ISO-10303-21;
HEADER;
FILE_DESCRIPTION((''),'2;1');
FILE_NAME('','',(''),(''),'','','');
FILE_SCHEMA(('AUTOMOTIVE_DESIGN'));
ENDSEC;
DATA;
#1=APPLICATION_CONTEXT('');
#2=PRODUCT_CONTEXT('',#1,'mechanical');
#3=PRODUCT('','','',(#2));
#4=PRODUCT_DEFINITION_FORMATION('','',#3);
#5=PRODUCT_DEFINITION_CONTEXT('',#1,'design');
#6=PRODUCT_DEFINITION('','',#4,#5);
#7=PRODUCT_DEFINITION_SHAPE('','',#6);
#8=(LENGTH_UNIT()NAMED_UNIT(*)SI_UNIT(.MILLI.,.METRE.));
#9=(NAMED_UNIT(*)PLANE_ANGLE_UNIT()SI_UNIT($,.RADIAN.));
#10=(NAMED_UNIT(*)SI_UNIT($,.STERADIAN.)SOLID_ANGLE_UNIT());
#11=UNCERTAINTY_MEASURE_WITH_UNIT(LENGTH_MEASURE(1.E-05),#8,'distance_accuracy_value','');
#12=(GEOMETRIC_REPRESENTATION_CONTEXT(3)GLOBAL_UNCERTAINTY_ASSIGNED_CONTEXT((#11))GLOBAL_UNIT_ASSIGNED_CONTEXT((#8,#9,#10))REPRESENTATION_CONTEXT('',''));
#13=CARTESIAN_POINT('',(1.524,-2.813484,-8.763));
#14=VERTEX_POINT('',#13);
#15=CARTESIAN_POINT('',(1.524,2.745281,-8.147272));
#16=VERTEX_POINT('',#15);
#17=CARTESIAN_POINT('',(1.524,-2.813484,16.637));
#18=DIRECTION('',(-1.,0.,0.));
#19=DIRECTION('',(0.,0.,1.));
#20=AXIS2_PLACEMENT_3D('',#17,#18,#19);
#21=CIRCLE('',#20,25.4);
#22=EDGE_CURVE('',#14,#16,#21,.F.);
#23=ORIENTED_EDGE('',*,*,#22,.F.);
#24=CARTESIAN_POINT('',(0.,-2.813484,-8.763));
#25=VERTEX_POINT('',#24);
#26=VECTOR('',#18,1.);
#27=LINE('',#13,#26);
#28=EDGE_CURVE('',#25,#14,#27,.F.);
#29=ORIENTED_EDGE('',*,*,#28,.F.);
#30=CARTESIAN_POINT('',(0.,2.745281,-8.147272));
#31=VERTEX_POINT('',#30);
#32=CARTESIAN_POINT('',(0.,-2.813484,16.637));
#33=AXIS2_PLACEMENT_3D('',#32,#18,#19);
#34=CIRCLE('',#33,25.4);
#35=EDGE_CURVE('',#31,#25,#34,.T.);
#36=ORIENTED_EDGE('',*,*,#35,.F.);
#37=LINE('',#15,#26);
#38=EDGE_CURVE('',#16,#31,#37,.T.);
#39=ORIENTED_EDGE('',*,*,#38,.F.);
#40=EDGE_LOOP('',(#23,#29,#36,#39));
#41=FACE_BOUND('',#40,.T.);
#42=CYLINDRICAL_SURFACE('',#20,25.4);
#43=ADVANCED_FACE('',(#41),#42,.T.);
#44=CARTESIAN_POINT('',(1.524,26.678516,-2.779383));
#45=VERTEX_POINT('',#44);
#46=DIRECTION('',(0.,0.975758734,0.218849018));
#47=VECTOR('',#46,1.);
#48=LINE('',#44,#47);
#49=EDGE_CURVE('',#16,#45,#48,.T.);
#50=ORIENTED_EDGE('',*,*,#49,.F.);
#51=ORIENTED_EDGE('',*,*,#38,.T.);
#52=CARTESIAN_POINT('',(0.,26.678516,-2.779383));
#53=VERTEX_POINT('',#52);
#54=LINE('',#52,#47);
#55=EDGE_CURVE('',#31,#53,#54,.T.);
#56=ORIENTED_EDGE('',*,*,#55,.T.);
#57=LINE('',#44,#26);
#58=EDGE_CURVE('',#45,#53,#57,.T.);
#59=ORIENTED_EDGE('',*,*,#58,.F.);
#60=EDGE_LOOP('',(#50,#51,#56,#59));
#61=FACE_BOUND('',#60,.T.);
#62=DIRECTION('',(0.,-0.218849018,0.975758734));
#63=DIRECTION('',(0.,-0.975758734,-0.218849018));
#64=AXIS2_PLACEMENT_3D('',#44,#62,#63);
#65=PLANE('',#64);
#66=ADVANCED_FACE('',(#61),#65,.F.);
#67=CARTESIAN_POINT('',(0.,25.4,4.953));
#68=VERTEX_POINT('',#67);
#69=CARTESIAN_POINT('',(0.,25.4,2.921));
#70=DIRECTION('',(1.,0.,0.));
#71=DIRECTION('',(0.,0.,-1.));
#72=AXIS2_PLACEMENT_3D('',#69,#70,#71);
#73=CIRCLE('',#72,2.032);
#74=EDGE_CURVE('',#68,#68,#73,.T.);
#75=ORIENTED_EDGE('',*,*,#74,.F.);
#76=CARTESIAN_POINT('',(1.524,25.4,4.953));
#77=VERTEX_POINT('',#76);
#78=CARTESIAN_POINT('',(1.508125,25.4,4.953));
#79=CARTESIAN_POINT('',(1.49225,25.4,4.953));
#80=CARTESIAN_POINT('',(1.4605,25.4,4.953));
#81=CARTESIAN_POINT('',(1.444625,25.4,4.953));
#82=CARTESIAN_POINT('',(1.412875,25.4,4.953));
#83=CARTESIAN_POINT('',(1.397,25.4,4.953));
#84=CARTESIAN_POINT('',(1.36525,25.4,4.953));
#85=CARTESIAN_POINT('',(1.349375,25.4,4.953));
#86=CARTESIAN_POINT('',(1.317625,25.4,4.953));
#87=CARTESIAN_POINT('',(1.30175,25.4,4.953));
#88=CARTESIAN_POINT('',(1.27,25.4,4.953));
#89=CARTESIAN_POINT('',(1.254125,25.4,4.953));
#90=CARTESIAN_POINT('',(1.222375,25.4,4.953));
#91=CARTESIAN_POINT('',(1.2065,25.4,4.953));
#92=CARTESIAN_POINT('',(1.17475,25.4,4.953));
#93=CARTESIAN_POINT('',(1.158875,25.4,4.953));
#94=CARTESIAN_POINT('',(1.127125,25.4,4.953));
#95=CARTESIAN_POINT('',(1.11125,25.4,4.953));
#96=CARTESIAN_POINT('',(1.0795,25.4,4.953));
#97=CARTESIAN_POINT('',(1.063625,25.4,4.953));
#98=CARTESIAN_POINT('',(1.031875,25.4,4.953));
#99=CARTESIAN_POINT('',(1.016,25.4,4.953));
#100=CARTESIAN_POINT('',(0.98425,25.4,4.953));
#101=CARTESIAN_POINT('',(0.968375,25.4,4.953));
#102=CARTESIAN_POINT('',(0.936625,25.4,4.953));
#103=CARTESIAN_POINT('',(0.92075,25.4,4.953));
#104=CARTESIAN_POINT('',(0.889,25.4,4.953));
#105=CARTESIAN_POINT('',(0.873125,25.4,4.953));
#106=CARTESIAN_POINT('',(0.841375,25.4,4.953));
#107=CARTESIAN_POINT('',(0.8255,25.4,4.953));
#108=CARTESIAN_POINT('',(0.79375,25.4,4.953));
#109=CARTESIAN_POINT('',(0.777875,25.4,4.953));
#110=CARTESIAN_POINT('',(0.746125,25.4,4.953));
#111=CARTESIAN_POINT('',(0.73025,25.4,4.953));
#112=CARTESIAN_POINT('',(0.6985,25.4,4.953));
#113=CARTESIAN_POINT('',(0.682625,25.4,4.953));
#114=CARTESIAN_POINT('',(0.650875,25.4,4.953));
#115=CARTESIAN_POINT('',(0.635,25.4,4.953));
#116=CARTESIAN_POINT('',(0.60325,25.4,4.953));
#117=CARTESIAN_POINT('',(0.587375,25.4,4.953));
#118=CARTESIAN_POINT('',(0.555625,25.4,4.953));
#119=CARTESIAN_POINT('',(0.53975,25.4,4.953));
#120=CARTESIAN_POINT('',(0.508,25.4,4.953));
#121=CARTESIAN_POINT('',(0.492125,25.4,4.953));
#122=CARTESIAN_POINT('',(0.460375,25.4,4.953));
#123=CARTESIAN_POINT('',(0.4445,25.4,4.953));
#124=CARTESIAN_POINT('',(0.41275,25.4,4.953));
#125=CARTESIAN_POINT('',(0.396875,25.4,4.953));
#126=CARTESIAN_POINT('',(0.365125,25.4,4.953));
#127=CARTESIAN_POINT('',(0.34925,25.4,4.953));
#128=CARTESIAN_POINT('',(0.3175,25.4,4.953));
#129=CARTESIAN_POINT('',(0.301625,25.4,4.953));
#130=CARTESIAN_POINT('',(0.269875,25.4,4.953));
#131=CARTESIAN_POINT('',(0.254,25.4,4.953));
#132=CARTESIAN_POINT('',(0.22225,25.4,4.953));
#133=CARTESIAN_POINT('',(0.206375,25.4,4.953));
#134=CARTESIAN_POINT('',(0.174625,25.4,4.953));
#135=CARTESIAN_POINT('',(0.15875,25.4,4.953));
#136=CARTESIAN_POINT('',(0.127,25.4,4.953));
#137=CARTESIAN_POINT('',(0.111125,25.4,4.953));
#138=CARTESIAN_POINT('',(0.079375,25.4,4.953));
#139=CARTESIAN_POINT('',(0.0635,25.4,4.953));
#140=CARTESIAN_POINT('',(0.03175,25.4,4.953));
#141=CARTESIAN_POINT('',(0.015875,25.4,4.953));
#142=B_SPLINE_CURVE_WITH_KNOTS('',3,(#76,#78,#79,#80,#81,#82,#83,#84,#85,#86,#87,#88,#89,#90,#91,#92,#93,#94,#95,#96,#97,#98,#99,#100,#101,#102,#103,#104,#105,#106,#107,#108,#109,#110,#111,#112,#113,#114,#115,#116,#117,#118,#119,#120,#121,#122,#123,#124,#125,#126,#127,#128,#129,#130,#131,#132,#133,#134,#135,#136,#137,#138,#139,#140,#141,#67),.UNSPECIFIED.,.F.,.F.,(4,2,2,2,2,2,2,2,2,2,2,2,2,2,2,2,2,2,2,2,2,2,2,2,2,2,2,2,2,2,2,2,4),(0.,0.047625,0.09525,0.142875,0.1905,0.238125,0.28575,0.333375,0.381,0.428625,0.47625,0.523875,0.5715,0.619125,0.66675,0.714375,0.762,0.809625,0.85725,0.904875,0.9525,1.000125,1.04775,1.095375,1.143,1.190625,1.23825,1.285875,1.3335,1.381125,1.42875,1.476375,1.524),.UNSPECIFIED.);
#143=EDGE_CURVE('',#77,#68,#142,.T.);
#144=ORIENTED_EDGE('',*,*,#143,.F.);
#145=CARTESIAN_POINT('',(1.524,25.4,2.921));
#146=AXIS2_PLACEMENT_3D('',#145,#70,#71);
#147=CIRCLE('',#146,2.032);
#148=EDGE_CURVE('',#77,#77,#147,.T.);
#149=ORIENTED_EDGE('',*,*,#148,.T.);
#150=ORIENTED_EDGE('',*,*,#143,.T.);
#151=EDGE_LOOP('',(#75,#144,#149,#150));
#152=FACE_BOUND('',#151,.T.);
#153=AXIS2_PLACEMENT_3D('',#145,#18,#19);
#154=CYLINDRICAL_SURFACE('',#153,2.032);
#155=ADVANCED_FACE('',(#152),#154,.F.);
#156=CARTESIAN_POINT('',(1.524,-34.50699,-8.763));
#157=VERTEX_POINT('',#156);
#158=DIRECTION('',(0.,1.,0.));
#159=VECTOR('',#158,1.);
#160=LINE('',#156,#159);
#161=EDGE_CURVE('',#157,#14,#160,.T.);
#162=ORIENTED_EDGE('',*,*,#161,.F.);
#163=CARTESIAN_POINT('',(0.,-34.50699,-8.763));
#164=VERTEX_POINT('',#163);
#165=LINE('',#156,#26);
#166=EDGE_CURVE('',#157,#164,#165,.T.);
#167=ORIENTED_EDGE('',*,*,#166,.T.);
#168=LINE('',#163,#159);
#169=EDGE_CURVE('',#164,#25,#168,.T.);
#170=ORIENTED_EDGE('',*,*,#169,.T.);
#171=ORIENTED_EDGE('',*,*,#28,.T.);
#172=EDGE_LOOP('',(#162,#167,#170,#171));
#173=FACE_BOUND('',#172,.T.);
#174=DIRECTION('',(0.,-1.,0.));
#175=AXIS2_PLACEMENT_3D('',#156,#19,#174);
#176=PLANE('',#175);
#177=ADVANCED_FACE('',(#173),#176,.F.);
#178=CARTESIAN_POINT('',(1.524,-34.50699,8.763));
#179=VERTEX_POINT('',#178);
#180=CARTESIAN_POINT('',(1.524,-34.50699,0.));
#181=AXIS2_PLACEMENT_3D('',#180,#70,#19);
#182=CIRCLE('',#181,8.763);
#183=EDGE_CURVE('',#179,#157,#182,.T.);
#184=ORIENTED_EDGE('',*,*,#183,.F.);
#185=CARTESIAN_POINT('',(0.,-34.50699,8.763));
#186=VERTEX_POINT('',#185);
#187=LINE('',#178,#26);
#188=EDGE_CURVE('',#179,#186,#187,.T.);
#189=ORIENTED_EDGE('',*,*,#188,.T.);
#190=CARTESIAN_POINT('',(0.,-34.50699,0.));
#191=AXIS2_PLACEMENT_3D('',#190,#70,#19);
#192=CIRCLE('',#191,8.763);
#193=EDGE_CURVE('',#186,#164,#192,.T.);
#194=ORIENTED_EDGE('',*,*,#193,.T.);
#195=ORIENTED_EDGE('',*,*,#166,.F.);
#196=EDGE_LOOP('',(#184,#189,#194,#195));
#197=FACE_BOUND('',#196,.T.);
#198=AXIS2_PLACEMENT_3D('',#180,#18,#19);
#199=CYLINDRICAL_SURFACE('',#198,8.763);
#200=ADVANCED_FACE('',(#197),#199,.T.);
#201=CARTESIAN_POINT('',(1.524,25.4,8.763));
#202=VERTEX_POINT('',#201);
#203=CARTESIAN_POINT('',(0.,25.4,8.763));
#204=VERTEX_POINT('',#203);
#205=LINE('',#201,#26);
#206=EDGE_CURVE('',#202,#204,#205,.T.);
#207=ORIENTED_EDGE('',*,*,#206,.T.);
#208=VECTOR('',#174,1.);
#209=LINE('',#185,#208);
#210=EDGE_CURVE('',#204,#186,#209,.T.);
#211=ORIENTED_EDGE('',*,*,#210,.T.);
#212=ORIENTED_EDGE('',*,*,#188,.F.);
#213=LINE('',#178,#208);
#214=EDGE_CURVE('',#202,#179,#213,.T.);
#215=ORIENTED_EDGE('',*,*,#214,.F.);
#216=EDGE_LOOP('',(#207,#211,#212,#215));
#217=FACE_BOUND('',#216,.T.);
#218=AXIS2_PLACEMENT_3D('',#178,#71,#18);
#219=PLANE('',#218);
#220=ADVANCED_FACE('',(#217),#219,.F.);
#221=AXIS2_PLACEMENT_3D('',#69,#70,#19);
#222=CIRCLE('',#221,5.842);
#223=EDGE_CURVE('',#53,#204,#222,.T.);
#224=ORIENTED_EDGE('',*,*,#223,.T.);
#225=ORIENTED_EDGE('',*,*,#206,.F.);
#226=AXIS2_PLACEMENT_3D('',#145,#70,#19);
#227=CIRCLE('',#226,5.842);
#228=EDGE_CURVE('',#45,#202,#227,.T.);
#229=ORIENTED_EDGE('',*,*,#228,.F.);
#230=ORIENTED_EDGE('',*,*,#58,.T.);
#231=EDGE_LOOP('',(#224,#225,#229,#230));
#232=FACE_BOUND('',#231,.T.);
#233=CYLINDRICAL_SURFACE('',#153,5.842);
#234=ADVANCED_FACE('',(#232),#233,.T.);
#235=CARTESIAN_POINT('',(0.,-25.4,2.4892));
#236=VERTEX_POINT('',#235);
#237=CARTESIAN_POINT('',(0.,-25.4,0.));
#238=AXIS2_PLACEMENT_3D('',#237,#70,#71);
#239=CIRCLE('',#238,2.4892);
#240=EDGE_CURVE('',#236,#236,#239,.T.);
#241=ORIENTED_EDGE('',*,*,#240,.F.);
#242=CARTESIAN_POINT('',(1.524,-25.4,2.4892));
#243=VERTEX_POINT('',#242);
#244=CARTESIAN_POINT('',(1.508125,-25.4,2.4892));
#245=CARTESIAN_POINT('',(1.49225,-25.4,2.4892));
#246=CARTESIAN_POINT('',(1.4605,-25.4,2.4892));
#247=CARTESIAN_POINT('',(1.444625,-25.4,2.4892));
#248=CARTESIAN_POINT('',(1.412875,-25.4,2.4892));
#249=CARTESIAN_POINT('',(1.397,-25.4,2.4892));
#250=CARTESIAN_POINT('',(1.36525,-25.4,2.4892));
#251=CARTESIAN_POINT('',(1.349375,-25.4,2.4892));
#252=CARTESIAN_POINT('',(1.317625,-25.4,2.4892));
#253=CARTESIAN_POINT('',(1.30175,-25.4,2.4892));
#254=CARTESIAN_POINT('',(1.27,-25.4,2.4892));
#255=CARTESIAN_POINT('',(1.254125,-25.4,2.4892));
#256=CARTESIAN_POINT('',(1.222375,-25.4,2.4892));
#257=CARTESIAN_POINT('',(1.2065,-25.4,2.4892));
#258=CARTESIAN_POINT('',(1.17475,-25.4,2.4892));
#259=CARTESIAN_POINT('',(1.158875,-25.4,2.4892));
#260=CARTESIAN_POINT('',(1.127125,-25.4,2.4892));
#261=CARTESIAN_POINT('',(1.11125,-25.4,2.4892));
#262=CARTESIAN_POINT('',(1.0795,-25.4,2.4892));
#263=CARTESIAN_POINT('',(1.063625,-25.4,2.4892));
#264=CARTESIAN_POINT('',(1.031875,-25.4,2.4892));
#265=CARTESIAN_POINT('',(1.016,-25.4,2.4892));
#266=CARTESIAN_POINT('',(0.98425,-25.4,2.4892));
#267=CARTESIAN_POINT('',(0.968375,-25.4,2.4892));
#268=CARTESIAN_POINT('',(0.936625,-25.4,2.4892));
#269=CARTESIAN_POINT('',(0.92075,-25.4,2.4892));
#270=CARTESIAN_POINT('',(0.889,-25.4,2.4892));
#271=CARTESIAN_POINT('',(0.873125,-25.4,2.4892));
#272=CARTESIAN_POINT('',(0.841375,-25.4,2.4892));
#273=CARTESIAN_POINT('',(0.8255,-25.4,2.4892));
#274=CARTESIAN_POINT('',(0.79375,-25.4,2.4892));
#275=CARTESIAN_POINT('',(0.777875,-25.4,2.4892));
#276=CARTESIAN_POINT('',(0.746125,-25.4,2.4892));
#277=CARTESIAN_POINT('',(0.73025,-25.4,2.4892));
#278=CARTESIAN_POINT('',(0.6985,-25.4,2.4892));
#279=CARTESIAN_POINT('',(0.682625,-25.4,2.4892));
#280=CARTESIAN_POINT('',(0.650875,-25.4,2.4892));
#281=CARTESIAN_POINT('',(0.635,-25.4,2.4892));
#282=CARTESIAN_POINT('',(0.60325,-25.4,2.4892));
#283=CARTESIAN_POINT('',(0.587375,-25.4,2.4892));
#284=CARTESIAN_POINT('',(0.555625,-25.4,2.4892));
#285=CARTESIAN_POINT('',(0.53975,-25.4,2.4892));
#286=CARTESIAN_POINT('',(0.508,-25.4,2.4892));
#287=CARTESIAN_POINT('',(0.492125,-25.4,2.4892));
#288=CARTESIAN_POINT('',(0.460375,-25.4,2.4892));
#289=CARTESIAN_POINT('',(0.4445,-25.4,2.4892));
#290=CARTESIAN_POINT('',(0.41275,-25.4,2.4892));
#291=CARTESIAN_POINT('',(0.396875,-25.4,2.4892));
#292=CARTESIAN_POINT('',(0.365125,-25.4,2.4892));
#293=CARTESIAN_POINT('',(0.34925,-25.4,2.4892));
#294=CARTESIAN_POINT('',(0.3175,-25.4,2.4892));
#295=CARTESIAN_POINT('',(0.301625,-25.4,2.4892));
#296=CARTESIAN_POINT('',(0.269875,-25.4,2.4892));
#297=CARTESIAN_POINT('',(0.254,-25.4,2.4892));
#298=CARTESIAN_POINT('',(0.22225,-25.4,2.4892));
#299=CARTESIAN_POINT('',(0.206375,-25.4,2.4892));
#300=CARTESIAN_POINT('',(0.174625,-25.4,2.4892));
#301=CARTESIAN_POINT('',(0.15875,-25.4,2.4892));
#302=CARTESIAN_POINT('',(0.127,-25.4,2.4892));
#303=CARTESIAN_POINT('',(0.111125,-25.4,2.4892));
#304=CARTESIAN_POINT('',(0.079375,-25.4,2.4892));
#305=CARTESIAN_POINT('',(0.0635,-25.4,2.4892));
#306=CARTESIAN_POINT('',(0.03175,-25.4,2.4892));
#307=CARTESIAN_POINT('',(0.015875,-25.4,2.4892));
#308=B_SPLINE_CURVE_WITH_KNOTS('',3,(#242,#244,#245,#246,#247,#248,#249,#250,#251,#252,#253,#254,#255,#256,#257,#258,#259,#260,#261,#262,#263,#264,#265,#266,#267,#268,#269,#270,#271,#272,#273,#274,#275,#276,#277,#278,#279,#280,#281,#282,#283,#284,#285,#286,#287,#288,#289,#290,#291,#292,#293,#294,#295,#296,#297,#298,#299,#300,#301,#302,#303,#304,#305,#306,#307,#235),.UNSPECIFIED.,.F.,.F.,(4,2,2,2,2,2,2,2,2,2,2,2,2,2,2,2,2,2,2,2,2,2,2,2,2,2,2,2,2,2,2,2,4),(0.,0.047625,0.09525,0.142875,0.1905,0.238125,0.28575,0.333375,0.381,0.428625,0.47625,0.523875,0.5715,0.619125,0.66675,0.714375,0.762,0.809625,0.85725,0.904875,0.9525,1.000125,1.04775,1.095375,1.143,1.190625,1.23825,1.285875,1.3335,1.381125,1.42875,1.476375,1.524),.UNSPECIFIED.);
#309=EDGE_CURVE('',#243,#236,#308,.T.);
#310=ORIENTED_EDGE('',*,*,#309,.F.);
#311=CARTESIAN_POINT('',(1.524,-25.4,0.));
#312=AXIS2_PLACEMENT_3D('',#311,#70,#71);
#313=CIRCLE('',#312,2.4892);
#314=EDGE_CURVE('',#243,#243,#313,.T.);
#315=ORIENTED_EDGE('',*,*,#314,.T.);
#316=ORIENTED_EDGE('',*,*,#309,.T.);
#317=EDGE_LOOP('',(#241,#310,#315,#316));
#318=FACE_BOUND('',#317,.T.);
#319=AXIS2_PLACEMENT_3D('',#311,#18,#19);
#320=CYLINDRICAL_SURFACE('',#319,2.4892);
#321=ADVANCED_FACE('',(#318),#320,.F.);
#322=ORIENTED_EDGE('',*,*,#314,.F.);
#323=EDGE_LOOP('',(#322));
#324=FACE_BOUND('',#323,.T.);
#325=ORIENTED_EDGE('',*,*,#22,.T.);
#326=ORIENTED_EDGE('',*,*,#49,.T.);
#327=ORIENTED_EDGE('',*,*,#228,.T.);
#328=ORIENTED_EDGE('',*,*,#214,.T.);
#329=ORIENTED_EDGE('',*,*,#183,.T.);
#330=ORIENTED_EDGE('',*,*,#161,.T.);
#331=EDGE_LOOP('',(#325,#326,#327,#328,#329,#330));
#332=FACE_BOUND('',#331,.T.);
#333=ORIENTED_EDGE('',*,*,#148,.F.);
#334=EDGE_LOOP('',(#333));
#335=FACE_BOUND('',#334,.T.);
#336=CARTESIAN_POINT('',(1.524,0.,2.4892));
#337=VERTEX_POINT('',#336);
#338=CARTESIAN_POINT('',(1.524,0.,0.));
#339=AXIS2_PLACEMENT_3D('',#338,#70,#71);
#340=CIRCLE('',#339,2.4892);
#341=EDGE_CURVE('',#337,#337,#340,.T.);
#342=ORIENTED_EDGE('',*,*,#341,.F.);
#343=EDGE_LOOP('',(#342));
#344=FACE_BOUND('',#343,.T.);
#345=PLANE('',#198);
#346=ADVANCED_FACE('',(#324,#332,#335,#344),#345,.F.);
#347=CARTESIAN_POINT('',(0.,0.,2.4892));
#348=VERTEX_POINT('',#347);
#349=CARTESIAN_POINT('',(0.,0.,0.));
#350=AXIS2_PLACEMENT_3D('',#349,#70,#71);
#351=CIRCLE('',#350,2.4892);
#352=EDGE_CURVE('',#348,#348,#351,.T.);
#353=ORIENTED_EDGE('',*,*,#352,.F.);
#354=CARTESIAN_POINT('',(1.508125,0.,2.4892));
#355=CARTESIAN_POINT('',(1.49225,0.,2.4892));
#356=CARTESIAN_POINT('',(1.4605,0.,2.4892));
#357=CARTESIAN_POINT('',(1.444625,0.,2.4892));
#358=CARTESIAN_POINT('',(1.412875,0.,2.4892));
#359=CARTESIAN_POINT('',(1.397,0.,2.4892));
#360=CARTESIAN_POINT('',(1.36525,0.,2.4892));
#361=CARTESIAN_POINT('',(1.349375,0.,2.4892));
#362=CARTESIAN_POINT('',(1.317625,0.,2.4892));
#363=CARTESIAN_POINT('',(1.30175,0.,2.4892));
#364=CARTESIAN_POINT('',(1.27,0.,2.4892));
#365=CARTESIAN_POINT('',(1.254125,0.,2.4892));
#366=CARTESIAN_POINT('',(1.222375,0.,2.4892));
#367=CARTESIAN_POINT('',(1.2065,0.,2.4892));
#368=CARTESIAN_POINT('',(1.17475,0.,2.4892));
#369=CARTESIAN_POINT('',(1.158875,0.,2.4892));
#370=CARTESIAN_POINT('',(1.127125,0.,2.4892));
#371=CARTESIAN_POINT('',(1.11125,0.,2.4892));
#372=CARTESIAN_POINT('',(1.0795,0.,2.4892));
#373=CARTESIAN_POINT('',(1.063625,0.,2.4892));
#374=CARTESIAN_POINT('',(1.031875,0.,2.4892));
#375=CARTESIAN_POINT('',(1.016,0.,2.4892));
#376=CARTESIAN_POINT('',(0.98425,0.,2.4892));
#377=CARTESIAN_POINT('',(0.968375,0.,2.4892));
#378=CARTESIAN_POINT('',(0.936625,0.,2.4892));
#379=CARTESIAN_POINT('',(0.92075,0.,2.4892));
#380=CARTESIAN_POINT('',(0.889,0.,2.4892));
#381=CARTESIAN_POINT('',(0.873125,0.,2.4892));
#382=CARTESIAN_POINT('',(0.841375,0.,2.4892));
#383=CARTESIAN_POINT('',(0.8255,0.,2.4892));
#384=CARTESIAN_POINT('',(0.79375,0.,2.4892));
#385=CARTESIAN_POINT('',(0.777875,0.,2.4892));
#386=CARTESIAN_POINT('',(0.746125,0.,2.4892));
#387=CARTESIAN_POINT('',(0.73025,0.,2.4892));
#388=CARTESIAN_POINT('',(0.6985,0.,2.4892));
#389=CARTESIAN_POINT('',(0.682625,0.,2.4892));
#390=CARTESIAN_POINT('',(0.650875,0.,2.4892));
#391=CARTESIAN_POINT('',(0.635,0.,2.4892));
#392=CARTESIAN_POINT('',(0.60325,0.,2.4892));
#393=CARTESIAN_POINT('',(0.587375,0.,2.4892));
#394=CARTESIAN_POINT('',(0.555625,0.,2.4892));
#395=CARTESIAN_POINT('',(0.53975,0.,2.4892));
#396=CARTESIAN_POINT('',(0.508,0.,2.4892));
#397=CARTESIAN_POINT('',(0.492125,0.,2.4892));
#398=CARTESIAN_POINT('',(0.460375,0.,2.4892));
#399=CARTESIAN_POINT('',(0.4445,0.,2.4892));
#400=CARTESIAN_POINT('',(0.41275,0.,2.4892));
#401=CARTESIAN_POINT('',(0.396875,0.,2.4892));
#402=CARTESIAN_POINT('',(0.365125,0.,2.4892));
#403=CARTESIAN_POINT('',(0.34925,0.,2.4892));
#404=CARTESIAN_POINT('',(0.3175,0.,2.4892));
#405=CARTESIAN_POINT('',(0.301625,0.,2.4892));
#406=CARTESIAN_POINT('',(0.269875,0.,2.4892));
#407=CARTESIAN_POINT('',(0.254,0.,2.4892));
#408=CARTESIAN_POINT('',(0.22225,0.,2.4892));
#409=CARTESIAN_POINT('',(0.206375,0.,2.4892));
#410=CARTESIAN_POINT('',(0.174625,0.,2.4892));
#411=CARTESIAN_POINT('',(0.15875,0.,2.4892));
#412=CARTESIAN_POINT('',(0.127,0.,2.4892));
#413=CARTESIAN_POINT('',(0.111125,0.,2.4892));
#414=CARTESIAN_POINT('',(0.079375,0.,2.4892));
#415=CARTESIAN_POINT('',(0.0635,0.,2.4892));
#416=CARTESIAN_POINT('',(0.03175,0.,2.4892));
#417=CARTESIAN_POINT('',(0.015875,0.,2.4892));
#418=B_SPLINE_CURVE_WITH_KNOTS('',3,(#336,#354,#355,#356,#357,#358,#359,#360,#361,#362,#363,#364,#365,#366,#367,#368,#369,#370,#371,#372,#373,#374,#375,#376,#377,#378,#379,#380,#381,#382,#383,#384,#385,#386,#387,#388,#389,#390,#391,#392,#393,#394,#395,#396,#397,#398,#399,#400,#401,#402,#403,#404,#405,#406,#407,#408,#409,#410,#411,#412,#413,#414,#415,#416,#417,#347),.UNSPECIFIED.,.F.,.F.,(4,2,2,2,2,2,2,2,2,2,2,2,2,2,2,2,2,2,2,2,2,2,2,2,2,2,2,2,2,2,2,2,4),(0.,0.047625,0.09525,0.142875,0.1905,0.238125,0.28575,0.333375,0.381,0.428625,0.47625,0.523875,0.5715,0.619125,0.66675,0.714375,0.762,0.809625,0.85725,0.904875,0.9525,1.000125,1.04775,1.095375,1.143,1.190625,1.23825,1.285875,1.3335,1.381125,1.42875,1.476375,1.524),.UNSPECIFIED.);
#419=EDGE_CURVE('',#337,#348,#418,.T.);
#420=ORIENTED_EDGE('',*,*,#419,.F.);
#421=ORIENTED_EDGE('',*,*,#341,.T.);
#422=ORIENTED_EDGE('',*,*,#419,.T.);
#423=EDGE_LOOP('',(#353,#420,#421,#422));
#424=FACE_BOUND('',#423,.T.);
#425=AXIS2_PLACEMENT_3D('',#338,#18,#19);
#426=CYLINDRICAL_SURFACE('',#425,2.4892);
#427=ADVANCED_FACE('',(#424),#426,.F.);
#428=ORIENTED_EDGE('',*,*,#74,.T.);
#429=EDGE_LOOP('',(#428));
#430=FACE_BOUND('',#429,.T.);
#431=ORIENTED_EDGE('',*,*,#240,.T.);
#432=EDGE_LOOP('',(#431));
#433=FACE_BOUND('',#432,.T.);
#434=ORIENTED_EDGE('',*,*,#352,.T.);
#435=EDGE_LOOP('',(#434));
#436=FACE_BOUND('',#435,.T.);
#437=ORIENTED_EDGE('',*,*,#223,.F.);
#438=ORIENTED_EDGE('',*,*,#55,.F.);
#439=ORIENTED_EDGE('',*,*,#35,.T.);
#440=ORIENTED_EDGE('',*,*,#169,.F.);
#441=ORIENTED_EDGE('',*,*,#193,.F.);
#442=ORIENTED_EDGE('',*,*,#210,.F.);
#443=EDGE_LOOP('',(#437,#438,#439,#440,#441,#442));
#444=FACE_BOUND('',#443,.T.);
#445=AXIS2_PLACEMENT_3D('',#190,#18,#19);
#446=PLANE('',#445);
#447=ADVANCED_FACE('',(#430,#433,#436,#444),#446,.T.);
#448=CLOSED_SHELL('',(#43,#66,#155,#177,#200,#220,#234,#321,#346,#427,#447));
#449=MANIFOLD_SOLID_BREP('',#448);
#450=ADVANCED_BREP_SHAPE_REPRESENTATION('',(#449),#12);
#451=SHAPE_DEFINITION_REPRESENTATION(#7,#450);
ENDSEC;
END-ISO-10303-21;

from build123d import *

# Parameters (mm, degrees)
SKETCH1_R           = 2.4892
SKETCH1_R_2         = 2.032
BOSS_EXTRUDE1_DEPTH = 1.524
FILLET1_R           = 25.4


with BuildPart() as part:
    # Sketch1 → Boss-Extrude1 (new body)
    with BuildSketch(Plane(origin=(0, 0, 0), x_dir=(0, 0, -1), z_dir=(1, 0, 0))):
        with BuildLine():
            Line((8.763, -34.506990432), (8.763, 0))
            Line((8.763, 0), (2.779382525, 26.678515962))
            ThreePointArc((2.779382525, 26.678515962), (-3.564167663, 31.206487695), (-8.763, 25.4))
            Line((-8.763, 25.4), (-8.763, -34.506990432))
            ThreePointArc((-8.763, -34.506990432), (0, -43.269990432), (8.763, -34.506990432))
        make_face()
        with Locations(Location((0, 0, 0), (0, 0, 180))):
            Circle(SKETCH1_R, mode=Mode.SUBTRACT)
        with Locations(Location((0, -25.4, 0), (0, 0, 180))):
            Circle(SKETCH1_R, mode=Mode.SUBTRACT)
        with Locations(Location((-2.921, 25.4, 0), (0, 0, 180))):
            Circle(SKETCH1_R_2, mode=Mode.SUBTRACT)
    extrude(amount=BOSS_EXTRUDE1_DEPTH)

    # Fillet1
    fillet1_edges = [part.edges().sort_by_distance(p)[0] for p in [
        (0.762, 0, -8.763),
    ]]
    fillet(fillet1_edges, radius=FILLET1_R)


solid = part.part
